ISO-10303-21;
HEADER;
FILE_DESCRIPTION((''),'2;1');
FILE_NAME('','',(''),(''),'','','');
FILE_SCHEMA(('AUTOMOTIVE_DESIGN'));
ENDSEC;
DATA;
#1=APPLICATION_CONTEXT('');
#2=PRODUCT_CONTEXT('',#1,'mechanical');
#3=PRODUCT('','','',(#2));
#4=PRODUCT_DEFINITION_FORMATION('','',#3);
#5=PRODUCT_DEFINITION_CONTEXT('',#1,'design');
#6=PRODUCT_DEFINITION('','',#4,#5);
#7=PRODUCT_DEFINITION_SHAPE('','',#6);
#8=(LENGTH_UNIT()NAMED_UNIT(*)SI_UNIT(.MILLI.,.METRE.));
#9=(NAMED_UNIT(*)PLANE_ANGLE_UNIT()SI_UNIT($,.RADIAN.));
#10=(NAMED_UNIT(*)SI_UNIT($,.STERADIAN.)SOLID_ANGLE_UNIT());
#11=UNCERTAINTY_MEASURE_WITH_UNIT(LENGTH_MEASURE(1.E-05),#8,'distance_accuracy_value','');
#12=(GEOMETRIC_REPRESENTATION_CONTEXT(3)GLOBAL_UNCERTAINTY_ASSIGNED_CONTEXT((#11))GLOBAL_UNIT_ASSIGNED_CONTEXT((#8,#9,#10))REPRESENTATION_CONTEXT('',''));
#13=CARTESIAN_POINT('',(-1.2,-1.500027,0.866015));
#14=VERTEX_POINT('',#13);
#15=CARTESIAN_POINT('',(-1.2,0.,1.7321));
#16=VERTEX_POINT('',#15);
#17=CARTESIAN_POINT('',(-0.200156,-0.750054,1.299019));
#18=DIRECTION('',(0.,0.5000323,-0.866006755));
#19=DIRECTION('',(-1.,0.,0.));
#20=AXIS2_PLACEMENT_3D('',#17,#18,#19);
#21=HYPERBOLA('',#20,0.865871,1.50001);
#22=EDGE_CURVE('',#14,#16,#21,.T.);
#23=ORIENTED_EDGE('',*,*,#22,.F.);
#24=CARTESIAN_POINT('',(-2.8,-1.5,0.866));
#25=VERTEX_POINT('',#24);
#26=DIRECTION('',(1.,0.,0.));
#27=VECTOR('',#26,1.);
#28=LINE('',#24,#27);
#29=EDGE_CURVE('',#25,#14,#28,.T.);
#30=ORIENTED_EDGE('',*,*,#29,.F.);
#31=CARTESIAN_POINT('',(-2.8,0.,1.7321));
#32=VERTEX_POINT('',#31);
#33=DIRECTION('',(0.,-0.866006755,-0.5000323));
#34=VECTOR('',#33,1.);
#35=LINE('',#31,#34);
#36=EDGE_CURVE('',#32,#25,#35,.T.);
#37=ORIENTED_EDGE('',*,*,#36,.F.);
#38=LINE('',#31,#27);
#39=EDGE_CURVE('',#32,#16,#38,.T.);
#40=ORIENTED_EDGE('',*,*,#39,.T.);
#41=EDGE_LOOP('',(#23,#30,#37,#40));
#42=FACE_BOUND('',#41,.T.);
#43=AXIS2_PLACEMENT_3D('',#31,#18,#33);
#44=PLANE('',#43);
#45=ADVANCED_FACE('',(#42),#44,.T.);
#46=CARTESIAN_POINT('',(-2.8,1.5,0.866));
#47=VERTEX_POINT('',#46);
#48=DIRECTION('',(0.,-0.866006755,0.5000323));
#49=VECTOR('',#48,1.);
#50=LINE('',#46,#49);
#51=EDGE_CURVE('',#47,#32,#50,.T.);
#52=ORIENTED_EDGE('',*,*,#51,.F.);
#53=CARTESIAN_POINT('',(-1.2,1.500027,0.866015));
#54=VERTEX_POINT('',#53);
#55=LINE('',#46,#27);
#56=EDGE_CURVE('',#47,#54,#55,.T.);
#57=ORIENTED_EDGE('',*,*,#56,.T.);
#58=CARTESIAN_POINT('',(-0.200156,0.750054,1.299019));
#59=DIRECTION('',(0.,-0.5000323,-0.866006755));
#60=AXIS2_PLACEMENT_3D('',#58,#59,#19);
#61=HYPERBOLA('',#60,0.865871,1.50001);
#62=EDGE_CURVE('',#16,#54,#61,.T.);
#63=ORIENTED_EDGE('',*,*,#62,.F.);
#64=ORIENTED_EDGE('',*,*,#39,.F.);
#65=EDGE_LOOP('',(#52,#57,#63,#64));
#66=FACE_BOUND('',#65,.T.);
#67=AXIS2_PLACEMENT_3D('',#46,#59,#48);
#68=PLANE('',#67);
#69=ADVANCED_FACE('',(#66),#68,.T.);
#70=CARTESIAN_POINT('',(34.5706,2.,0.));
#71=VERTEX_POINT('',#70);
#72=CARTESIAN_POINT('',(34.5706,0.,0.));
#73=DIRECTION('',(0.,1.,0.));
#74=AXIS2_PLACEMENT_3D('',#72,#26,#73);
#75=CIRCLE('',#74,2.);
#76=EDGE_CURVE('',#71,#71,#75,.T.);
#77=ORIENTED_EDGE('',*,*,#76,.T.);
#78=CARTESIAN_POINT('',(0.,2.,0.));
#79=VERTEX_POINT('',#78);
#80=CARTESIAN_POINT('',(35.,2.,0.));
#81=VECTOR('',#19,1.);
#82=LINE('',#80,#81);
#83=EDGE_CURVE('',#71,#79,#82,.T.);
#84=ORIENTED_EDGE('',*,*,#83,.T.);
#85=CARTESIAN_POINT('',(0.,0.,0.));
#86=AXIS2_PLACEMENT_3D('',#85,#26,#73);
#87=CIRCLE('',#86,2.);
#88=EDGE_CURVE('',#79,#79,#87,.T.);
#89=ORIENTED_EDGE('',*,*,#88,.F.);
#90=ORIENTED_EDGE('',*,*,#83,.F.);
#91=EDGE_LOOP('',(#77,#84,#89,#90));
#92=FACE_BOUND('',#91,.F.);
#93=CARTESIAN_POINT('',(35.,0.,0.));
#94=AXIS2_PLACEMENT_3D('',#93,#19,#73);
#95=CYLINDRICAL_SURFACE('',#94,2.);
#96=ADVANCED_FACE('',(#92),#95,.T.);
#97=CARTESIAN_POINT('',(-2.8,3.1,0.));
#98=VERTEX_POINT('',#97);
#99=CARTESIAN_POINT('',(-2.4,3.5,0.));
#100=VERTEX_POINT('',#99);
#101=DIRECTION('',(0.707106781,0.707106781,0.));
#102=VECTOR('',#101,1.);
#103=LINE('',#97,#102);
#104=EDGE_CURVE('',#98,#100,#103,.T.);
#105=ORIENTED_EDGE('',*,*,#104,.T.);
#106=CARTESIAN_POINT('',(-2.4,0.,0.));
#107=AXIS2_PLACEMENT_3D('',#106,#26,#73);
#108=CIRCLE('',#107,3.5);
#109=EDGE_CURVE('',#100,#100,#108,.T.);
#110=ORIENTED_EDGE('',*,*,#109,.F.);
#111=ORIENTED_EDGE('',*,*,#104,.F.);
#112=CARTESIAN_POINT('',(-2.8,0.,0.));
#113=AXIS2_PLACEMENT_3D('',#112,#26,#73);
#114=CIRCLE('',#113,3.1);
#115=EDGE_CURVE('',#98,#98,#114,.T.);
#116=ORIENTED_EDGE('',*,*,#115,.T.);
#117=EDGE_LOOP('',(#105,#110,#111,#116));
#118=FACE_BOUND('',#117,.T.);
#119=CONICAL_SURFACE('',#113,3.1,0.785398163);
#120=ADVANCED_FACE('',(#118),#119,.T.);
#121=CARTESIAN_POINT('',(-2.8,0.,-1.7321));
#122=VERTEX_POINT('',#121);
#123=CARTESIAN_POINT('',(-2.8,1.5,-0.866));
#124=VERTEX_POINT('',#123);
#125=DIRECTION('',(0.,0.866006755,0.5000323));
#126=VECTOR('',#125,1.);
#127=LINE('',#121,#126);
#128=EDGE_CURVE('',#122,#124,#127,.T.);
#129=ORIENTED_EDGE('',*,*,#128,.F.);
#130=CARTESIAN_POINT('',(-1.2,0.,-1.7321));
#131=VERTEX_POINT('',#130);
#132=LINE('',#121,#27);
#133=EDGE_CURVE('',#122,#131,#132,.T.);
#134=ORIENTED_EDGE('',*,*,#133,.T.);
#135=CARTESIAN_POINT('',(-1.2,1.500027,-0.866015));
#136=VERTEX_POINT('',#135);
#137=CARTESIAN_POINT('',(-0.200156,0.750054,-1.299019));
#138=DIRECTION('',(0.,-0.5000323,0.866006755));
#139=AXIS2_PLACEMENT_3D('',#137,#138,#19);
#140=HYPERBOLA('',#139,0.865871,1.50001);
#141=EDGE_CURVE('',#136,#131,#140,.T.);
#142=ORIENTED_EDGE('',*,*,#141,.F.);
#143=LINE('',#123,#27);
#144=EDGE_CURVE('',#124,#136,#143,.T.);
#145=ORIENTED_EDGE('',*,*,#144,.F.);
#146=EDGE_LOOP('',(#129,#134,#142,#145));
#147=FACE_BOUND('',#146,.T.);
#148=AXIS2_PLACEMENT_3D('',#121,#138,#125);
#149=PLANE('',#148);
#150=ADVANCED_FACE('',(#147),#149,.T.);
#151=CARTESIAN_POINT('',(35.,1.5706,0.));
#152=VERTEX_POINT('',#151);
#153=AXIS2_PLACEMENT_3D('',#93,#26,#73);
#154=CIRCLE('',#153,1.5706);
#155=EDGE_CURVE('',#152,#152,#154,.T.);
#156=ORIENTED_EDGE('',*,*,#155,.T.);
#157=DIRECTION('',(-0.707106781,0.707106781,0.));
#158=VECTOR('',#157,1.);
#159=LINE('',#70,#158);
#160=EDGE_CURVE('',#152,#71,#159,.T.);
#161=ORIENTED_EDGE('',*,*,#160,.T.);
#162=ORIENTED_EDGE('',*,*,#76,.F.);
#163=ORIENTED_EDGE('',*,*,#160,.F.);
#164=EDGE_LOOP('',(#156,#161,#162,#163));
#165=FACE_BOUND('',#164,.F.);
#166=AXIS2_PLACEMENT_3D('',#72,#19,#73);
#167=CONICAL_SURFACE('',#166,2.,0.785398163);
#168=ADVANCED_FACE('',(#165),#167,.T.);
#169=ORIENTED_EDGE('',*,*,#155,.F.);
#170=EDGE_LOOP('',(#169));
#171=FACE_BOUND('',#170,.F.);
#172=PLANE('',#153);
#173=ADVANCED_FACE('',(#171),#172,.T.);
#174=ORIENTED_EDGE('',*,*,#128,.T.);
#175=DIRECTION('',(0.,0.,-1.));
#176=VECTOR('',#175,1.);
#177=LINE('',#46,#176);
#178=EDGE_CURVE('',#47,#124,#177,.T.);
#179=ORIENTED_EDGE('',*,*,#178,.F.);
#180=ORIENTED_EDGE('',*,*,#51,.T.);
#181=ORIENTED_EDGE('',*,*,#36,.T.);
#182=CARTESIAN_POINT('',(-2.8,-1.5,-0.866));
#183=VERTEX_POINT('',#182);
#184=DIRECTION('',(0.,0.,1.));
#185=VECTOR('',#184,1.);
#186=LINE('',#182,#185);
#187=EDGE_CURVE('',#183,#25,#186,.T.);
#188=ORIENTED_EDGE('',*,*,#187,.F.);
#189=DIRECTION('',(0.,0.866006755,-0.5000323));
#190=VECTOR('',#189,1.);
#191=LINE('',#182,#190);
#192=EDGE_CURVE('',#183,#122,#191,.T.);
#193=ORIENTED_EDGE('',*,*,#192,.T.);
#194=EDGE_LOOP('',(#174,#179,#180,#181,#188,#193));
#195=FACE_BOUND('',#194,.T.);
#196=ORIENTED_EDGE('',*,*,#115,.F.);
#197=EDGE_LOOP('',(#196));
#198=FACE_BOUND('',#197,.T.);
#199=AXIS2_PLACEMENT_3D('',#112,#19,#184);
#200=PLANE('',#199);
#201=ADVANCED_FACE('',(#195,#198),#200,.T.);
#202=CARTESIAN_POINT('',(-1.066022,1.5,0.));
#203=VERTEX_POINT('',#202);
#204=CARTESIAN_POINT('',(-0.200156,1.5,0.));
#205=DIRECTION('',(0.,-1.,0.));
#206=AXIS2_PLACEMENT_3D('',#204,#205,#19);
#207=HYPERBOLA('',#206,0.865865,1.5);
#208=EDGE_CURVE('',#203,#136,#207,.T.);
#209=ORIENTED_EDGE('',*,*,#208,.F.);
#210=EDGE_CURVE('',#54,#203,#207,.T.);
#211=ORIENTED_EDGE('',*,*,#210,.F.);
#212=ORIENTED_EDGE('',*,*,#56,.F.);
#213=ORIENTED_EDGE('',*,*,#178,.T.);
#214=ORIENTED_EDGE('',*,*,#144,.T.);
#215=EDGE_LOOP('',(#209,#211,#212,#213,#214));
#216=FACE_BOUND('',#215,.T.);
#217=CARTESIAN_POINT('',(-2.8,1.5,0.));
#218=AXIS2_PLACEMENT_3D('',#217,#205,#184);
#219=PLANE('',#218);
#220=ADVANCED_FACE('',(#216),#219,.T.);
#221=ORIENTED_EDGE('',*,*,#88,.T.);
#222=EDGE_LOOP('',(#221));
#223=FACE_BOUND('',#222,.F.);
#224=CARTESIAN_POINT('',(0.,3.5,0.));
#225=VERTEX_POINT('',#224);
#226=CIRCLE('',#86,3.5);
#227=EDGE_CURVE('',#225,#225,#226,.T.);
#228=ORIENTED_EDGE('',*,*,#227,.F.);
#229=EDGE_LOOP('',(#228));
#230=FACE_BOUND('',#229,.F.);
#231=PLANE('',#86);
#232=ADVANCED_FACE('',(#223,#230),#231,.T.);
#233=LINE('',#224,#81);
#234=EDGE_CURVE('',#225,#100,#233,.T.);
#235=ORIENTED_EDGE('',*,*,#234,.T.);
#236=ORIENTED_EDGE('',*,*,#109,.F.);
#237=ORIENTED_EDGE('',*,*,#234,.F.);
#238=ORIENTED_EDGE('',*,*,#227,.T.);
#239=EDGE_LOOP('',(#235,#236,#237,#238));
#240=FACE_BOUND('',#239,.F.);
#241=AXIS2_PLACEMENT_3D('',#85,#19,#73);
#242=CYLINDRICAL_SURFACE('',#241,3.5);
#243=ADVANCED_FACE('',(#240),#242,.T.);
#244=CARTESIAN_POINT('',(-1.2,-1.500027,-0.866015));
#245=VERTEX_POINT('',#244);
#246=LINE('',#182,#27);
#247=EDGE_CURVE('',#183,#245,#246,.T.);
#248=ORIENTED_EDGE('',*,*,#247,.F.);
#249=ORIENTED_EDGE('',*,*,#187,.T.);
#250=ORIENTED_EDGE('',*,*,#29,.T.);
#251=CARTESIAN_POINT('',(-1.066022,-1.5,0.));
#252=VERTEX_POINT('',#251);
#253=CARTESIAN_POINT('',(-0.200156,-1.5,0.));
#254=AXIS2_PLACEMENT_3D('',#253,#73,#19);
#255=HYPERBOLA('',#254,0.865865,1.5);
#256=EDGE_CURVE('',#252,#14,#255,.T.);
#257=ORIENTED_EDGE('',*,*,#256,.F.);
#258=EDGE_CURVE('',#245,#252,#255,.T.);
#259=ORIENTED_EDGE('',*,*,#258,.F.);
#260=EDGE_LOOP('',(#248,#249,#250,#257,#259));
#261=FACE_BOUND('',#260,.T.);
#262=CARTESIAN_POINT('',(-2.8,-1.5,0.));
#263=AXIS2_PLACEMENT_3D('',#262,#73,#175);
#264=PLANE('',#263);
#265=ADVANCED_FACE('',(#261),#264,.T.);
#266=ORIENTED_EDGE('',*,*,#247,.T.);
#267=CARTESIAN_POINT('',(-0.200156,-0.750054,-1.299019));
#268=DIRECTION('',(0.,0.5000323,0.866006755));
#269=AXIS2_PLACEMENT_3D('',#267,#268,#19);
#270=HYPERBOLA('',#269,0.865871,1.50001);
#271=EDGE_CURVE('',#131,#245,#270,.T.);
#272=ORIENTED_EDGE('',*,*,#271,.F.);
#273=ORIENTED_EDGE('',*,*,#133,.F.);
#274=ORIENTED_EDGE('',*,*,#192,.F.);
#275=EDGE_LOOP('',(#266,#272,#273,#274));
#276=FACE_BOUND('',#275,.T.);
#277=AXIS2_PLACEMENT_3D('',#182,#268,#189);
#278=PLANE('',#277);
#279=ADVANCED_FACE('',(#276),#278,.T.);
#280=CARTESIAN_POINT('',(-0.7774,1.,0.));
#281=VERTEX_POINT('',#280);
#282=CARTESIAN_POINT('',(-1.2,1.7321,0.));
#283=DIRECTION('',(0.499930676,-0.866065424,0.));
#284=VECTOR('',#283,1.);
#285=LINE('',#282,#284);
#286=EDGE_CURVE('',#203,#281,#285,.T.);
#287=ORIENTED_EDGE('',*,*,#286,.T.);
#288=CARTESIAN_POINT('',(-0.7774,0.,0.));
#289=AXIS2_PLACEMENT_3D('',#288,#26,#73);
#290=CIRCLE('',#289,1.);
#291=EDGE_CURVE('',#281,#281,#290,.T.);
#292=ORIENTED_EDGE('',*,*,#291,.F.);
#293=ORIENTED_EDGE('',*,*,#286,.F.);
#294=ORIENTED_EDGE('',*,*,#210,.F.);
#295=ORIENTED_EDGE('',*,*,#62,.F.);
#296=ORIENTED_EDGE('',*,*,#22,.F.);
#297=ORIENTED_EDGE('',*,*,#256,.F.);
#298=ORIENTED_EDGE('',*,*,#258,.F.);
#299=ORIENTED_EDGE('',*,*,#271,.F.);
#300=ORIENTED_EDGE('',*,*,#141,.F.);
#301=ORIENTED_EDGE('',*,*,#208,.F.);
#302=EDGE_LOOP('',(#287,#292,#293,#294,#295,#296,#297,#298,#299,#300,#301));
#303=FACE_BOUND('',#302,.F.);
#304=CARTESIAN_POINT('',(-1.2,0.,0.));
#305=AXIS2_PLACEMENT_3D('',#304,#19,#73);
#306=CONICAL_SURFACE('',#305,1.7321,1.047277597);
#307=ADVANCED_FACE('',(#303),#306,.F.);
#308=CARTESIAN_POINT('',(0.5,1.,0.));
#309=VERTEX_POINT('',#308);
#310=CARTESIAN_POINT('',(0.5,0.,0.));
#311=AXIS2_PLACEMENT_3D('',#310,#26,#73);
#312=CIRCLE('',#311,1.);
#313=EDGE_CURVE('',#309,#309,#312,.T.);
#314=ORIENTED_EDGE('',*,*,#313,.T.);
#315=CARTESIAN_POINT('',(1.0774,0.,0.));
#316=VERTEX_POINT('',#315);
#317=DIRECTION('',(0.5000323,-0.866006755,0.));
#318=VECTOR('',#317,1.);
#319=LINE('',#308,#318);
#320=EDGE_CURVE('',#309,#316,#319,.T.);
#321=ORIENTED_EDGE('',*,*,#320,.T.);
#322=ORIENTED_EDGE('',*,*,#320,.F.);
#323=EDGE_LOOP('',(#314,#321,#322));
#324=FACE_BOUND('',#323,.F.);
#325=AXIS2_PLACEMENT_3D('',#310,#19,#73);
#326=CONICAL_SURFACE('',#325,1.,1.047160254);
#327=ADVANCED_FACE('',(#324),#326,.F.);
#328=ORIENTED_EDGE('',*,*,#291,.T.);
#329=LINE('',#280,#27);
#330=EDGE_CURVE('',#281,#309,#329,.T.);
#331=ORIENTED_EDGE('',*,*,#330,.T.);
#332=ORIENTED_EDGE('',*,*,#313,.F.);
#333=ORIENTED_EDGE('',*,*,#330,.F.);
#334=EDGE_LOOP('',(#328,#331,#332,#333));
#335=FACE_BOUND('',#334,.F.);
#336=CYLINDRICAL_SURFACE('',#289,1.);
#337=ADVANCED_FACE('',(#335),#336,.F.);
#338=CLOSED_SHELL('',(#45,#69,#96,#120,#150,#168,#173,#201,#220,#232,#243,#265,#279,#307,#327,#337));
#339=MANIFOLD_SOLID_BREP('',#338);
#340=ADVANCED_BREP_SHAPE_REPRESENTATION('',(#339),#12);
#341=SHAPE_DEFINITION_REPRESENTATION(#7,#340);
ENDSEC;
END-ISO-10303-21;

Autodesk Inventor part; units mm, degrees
ref_plane "YZ Plane" through (0, 0, 0) normal (1, 0, 0) x (0, 1, 0)
ref_plane "XZ Plane" through (0, 0, 0) normal (0, 1, 0) x (-1, 0, 0)
sketch "Sketch1" plane through (0, 0, 0) normal (0, 0, 1) x (1, 0, 0)
  line L0 (1.0774, 0) -> (35, 0)
  line L1 (35, 0) -> (35, 2)
  line L2 (35, 2) -> (0, 2)
  line L3 (0, 2) -> (0, 3.5)
  line L4 (0, 3.5) -> (-2.8, 3.5)
  line L5 (-2.8, 3.5) -> (-2.8, 1.7321)
  line L6 (-2.8, 1.7321) -> (-1.2, 1.7321)
  line L7 (-1.2, 1.7321) -> (-0.7774, 1)
  line L8 (-10.36, 0) -> (42.56, 0) projected
  line L9 (0, -0.7) -> (0, 4.2) projected
  line L10 (-0.7774, 1) -> (0.5, 1)
  line L11 (0.5, 1) -> (1.0774, 0)
  line L12 (-2.8, 1.7321) -> (-2.8, 0) construction
  line L13 (-2.8, 3.1) -> (-2.4, 3.5)
  dimension "d0" = 2.8
  dimension "d1" = 1.6
  dimension "d2" = 60
  dimension "d3" = 4
  dimension "d4" = 3.4641
  dimension "d5" = 7
  dimension "d15" = 3.3
  dimension "d16" = 2
  dimension "d17" = 35
  dimension "d32" = 45
  dimension "d33" = 0.4
revolve "Body" add sketch "Sketch1" angle 360 about axis through (1.0774, 0, 0) along (1, 0, 0) contours L11 L10 L9 L2 L1 L0 | L10 L7 L6 L5 L13 L4 L3 L9 | L13 L5 L4
revolve "Chamfer2" cut sketch "Sketch1" angle 360 about axis through (-10, 0, 0) along (1, 0, 0) contours L13 L5 L4
sketch "Sketch2" plane through (-2.8, 0, 0) normal (-1, 0, 0) x (0, 0, 1)
  circle A0 centre (0, 0) radius 1.7321 projected
  line L0 (0, -4.9) -> (0, 4.9) projected
  line L1 (-4.9, 0) -> (4.9, 0) projected
  line L2 (1.7321, 0) -> (0.866, -1.5)
  line L3 (0.866, -1.5) -> (-0.866, -1.5)
  line L4 (-0.866, -1.5) -> (-1.7321, 0)
  line L5 (-1.7321, 0) -> (-0.866, 1.5)
  line L6 (-0.866, 1.5) -> (0.866, 1.5)
  line L7 (0.866, 1.5) -> (1.7321, 0)
extrude "Slot" add sketch "Sketch2" against normal up to next contours L7 A0 | A0 L2 | L6 L0 A0 | A0 L0 L3 | L0 L6 A0 | A0 L3 L0 | L4 A0 | A0 L5
thread "Thread" size "M4x0.7" class "6g" standard "ISO Metric profile" length 14
chamfer "Chamfer1" distance 0.4294 distance2 0.4294 1 edges at (35, -2, 0) measured on face at (35, 0.0262, -0.4421)
ref_plane "Work Plane1" through (17.5, 0, 0) normal (0, 0.5, 0.866) x (1, 0, 0)
equation "\"d0\" = KOH"
equation "\"d1\" = INTI"
equation "\"d3\" = GD"
equation "\"d4\" = 1.1547 * SW"
equation "\"d5\" = KOD"
equation "\"d15\" = INFT"
equation "\"d16\" = SDT"
equation "\"d17\" = NLG"
equation "\"d33\" = Cham"
equation "\"d7\" = GEL"
equation "\"d9\" = -0.5 * SPD + 0.5 * GD"
equation "\"d12\" = GUL"
equation "\"GD\" = NND"
equation "\"NLG\" = 35"
equation "\"GEL\" = 14"
equation "\"KOD\" = 7"
equation "\"KOH\" = 2.8"
equation "\"GUL\" = 0.61345 * PTC"
equation "\"SW\" = 3"
equation "\"INTI\" = 1.6"
equation "\"SPD\" = NND - 1.2269 * PTC"
equation "\"SDT\" = 2"
equation "\"INFT\" = 3.3"
equation "\"Cham\" = 0.4"
equation "\"TOA\" = 30deg"
equation "\"GD1\" = THREADDIA - 1.2269 * PTC"
equation "\"THREADDIA\" = 4"
equation "\"BDM\" = NND"
equation "\"FAWI\" = 45deg"
equation "\"RR\" = 0.1 * NND"
equation "\"PTC\" = 0.7"
equation "\"NND\" = 4"
equation "\"FAWI1\" = 45deg"
equation "\"GAL\" = 0.61345 * PTC"
equation "\"E0\" = 1.155 * SW"
properties part number "DIN 6912 - M4 x 35" material "Steel, Mild"
